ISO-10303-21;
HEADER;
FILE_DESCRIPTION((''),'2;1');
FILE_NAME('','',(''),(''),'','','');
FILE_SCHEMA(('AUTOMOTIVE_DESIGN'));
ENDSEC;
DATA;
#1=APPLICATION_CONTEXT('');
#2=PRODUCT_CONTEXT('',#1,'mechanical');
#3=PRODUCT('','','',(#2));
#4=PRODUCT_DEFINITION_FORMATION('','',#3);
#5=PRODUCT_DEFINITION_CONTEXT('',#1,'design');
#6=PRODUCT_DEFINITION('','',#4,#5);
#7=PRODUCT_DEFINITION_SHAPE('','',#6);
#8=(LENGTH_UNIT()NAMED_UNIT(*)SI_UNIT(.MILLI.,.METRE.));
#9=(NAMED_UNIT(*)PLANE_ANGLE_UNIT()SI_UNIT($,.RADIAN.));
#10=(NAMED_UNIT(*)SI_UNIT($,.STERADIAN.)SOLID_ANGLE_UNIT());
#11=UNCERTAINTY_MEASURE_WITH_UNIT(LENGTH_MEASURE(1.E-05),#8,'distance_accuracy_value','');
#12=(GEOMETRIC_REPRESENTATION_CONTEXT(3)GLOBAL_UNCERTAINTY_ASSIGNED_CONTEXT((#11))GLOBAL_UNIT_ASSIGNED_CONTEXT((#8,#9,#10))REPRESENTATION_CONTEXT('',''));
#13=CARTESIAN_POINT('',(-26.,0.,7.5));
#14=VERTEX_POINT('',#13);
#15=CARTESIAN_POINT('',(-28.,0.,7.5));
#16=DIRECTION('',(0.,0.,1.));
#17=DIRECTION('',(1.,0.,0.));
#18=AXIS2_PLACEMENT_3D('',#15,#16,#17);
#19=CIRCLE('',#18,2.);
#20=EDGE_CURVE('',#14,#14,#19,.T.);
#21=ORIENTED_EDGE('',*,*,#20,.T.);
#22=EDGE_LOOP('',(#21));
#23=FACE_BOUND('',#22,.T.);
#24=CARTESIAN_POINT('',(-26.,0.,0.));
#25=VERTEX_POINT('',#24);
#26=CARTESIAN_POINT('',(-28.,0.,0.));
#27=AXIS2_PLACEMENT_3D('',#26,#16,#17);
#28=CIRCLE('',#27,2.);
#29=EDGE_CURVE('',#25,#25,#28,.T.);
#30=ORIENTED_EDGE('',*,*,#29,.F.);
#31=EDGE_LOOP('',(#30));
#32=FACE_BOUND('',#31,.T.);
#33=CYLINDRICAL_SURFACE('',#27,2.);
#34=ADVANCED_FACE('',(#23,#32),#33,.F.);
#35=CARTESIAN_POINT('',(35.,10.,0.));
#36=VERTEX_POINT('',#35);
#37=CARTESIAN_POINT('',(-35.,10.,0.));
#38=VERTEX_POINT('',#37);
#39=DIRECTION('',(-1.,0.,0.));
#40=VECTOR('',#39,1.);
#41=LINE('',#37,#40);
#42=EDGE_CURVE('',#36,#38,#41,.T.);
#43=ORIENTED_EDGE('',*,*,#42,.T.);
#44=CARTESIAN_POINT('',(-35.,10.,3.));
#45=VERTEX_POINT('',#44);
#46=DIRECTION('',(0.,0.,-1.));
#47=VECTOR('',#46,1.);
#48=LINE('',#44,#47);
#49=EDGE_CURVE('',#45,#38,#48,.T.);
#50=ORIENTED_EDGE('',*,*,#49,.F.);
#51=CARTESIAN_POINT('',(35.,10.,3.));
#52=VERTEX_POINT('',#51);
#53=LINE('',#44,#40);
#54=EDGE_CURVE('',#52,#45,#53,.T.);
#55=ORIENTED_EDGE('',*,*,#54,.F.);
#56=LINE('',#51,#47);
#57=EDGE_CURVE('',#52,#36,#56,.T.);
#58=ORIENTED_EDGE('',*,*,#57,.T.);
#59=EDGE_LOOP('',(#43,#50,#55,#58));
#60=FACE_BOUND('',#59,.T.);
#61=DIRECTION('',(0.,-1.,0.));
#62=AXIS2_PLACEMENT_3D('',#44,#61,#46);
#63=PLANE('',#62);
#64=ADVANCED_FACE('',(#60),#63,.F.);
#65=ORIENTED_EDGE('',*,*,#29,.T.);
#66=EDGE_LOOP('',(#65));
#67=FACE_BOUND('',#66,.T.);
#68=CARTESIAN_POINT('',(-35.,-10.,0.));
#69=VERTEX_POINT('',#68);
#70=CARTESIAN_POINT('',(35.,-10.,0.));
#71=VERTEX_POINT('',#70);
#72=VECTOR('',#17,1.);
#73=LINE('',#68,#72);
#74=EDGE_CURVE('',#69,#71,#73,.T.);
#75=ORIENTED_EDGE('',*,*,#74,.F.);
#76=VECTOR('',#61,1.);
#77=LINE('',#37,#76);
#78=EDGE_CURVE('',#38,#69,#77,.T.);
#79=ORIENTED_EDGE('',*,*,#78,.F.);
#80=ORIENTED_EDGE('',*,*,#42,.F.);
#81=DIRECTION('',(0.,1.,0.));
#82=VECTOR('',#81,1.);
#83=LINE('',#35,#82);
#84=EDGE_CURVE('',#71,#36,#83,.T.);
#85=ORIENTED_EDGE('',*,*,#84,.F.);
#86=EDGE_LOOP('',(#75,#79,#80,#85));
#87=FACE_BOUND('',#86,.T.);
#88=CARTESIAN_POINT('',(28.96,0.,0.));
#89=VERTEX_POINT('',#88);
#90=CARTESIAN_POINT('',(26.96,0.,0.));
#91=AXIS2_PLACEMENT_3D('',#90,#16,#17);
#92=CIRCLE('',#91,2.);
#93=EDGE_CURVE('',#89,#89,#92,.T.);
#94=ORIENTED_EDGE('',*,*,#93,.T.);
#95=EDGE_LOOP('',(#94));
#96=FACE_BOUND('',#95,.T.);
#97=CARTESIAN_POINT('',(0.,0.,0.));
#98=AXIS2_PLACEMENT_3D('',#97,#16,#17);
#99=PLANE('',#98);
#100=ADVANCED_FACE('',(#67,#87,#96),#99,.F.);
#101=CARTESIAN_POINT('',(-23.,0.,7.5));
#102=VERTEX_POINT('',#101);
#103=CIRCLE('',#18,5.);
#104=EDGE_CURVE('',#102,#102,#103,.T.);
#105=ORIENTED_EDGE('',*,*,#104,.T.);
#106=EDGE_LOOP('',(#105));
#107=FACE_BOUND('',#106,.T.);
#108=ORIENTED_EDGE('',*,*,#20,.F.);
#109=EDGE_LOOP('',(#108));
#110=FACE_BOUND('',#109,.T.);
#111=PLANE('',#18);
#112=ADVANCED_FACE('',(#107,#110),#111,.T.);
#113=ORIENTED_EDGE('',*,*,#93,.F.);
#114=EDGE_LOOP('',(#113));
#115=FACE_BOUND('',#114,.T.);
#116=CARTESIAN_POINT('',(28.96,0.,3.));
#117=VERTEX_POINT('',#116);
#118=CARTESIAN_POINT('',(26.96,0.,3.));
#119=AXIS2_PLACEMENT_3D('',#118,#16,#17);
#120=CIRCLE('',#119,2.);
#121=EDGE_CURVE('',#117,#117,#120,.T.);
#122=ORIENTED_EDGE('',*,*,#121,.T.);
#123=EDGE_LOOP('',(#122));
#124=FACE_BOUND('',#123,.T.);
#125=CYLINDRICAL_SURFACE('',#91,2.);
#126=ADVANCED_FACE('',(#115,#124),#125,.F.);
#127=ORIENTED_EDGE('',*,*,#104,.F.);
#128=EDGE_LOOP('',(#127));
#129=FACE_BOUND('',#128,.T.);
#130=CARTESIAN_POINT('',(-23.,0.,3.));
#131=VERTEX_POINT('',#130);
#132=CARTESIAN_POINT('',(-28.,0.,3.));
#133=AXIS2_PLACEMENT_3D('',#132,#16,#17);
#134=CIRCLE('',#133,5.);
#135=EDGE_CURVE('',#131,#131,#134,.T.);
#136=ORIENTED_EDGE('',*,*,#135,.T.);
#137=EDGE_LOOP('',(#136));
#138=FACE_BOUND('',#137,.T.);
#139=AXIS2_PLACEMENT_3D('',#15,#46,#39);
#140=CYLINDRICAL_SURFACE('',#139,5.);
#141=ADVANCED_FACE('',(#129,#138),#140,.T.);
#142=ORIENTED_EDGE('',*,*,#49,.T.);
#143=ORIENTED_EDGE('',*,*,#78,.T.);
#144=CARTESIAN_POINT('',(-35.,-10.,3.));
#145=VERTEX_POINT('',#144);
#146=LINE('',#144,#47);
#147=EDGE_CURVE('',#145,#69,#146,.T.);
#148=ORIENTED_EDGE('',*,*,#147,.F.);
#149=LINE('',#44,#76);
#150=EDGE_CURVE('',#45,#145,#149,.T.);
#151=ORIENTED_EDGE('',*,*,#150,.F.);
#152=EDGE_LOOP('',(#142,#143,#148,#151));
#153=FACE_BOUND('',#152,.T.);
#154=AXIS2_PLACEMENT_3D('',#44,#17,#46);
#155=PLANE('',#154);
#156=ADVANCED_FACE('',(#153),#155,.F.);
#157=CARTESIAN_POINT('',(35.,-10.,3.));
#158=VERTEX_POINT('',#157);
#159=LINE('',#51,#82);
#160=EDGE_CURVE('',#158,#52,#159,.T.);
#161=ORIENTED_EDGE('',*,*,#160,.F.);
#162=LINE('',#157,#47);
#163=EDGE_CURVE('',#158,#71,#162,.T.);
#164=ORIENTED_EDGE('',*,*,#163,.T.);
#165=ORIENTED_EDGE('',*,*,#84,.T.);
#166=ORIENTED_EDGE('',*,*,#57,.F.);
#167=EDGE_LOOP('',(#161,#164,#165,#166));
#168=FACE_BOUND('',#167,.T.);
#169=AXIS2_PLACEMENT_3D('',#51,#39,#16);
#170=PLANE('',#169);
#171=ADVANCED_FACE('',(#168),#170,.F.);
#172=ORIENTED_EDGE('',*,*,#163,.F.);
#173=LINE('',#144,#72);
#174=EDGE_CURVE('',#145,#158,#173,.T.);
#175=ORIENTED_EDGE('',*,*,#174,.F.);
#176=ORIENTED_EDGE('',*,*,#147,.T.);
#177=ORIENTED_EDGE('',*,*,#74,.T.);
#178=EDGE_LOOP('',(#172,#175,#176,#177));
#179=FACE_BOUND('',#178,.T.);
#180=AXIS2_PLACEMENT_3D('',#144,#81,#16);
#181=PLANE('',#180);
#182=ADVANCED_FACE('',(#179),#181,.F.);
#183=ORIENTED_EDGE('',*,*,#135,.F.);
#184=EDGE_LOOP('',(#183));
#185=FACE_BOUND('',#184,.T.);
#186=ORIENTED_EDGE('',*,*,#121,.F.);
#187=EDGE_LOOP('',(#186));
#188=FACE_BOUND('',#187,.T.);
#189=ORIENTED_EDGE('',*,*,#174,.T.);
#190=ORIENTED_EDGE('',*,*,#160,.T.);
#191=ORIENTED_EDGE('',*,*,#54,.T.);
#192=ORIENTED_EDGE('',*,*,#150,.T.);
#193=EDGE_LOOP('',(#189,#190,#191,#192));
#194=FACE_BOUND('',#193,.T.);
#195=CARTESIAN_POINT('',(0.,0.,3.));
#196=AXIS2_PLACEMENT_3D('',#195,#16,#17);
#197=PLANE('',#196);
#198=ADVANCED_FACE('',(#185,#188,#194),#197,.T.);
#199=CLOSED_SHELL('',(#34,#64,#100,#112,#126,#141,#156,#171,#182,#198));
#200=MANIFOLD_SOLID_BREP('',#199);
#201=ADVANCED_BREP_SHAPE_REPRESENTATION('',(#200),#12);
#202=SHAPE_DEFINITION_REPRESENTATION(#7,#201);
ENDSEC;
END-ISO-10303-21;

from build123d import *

# Parameters (mm, degrees)
SKETCH1_W           = 70
SKETCH1_H           = 20
BOSS_EXTRUDE1_DEPTH = 3
SKETCH2_R           = 2
CUT_EXTRUDE2_DEPTH  = 37.523964735
SKETCH3_R           = 5
BOSS_EXTRUDE2_DEPTH = 4.5
SKETCH4_R           = 2
CUT_EXTRUDE3_DEPTH  = 4.5


with BuildPart() as part:
    # Sketch1 → Boss-Extrude1 (new body)
    with BuildSketch(Plane.XY):
        Rectangle(SKETCH1_W, SKETCH1_H)
    extrude(amount=BOSS_EXTRUDE1_DEPTH)

    # Sketch2 → Cut-Extrude2 (cut, through all)
    with BuildSketch(Plane.XY.offset(3)):
        with Locations((-28, 0)):
            Circle(SKETCH2_R)
        with Locations((26.96, 0)):
            Circle(SKETCH2_R)
    extrude(amount=-CUT_EXTRUDE2_DEPTH, mode=Mode.SUBTRACT)

    # Sketch3 → Boss-Extrude2 (add)
    with BuildSketch(Plane.XY.offset(3)):
        with Locations((-28, 0)):
            Circle(SKETCH3_R)
    extrude(amount=BOSS_EXTRUDE2_DEPTH)

    # Sketch4 → Cut-Extrude3 (cut)
    with BuildSketch(Plane.XY.offset(7.5)):
        with Locations((-28, 0)):
            Circle(SKETCH4_R)
    extrude(amount=-CUT_EXTRUDE3_DEPTH, mode=Mode.SUBTRACT)


solid = part.part
